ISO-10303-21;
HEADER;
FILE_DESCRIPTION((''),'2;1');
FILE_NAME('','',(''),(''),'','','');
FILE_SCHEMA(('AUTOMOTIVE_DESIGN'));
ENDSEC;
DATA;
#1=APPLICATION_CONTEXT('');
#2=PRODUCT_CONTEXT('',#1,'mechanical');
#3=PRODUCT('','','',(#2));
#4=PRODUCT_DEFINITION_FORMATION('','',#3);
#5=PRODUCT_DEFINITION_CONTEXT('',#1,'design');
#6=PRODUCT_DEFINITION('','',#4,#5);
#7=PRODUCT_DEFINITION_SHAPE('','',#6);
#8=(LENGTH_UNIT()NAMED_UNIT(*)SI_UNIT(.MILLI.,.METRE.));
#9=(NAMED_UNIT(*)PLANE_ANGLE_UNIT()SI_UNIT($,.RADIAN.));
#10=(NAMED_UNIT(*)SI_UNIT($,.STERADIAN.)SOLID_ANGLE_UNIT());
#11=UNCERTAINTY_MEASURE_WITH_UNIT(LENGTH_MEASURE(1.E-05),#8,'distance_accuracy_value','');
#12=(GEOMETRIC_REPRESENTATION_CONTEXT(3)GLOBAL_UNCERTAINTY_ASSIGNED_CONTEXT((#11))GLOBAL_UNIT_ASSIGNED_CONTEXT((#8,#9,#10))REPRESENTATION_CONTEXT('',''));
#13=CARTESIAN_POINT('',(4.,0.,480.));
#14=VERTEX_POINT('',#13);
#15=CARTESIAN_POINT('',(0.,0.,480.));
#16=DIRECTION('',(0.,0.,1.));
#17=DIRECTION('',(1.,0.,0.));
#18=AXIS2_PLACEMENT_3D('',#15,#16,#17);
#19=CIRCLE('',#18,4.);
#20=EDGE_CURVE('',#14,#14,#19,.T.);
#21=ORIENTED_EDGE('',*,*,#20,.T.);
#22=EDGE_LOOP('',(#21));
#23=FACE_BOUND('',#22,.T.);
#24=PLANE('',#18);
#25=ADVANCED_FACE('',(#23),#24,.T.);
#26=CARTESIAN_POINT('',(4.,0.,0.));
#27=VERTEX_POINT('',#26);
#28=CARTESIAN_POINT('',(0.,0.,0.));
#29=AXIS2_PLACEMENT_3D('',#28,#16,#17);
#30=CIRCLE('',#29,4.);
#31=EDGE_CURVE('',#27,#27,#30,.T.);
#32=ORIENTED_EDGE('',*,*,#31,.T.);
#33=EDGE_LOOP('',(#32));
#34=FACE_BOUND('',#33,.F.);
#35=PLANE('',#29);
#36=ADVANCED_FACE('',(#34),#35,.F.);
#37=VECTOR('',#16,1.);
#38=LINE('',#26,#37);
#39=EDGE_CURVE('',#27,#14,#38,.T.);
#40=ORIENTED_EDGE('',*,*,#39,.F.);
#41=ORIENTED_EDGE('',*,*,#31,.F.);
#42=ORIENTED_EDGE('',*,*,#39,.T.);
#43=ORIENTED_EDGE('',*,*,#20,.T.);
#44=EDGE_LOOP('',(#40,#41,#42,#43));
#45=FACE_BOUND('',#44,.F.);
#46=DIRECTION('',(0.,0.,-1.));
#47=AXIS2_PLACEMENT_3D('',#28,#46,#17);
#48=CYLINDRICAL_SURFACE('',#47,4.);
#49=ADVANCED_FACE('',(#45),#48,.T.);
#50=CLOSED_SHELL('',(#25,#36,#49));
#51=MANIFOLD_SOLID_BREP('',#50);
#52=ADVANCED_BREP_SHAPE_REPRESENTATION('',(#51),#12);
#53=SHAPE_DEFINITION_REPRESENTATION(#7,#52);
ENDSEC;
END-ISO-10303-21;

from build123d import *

# Parameters (mm, degrees)
SKETCH_R  = 4
PAD_DEPTH = 480


with BuildPart() as part:
    # Sketch → Pad (new body)
    with BuildSketch(Plane.XY):
        Circle(SKETCH_R)
    extrude(amount=PAD_DEPTH)


solid = part.part
